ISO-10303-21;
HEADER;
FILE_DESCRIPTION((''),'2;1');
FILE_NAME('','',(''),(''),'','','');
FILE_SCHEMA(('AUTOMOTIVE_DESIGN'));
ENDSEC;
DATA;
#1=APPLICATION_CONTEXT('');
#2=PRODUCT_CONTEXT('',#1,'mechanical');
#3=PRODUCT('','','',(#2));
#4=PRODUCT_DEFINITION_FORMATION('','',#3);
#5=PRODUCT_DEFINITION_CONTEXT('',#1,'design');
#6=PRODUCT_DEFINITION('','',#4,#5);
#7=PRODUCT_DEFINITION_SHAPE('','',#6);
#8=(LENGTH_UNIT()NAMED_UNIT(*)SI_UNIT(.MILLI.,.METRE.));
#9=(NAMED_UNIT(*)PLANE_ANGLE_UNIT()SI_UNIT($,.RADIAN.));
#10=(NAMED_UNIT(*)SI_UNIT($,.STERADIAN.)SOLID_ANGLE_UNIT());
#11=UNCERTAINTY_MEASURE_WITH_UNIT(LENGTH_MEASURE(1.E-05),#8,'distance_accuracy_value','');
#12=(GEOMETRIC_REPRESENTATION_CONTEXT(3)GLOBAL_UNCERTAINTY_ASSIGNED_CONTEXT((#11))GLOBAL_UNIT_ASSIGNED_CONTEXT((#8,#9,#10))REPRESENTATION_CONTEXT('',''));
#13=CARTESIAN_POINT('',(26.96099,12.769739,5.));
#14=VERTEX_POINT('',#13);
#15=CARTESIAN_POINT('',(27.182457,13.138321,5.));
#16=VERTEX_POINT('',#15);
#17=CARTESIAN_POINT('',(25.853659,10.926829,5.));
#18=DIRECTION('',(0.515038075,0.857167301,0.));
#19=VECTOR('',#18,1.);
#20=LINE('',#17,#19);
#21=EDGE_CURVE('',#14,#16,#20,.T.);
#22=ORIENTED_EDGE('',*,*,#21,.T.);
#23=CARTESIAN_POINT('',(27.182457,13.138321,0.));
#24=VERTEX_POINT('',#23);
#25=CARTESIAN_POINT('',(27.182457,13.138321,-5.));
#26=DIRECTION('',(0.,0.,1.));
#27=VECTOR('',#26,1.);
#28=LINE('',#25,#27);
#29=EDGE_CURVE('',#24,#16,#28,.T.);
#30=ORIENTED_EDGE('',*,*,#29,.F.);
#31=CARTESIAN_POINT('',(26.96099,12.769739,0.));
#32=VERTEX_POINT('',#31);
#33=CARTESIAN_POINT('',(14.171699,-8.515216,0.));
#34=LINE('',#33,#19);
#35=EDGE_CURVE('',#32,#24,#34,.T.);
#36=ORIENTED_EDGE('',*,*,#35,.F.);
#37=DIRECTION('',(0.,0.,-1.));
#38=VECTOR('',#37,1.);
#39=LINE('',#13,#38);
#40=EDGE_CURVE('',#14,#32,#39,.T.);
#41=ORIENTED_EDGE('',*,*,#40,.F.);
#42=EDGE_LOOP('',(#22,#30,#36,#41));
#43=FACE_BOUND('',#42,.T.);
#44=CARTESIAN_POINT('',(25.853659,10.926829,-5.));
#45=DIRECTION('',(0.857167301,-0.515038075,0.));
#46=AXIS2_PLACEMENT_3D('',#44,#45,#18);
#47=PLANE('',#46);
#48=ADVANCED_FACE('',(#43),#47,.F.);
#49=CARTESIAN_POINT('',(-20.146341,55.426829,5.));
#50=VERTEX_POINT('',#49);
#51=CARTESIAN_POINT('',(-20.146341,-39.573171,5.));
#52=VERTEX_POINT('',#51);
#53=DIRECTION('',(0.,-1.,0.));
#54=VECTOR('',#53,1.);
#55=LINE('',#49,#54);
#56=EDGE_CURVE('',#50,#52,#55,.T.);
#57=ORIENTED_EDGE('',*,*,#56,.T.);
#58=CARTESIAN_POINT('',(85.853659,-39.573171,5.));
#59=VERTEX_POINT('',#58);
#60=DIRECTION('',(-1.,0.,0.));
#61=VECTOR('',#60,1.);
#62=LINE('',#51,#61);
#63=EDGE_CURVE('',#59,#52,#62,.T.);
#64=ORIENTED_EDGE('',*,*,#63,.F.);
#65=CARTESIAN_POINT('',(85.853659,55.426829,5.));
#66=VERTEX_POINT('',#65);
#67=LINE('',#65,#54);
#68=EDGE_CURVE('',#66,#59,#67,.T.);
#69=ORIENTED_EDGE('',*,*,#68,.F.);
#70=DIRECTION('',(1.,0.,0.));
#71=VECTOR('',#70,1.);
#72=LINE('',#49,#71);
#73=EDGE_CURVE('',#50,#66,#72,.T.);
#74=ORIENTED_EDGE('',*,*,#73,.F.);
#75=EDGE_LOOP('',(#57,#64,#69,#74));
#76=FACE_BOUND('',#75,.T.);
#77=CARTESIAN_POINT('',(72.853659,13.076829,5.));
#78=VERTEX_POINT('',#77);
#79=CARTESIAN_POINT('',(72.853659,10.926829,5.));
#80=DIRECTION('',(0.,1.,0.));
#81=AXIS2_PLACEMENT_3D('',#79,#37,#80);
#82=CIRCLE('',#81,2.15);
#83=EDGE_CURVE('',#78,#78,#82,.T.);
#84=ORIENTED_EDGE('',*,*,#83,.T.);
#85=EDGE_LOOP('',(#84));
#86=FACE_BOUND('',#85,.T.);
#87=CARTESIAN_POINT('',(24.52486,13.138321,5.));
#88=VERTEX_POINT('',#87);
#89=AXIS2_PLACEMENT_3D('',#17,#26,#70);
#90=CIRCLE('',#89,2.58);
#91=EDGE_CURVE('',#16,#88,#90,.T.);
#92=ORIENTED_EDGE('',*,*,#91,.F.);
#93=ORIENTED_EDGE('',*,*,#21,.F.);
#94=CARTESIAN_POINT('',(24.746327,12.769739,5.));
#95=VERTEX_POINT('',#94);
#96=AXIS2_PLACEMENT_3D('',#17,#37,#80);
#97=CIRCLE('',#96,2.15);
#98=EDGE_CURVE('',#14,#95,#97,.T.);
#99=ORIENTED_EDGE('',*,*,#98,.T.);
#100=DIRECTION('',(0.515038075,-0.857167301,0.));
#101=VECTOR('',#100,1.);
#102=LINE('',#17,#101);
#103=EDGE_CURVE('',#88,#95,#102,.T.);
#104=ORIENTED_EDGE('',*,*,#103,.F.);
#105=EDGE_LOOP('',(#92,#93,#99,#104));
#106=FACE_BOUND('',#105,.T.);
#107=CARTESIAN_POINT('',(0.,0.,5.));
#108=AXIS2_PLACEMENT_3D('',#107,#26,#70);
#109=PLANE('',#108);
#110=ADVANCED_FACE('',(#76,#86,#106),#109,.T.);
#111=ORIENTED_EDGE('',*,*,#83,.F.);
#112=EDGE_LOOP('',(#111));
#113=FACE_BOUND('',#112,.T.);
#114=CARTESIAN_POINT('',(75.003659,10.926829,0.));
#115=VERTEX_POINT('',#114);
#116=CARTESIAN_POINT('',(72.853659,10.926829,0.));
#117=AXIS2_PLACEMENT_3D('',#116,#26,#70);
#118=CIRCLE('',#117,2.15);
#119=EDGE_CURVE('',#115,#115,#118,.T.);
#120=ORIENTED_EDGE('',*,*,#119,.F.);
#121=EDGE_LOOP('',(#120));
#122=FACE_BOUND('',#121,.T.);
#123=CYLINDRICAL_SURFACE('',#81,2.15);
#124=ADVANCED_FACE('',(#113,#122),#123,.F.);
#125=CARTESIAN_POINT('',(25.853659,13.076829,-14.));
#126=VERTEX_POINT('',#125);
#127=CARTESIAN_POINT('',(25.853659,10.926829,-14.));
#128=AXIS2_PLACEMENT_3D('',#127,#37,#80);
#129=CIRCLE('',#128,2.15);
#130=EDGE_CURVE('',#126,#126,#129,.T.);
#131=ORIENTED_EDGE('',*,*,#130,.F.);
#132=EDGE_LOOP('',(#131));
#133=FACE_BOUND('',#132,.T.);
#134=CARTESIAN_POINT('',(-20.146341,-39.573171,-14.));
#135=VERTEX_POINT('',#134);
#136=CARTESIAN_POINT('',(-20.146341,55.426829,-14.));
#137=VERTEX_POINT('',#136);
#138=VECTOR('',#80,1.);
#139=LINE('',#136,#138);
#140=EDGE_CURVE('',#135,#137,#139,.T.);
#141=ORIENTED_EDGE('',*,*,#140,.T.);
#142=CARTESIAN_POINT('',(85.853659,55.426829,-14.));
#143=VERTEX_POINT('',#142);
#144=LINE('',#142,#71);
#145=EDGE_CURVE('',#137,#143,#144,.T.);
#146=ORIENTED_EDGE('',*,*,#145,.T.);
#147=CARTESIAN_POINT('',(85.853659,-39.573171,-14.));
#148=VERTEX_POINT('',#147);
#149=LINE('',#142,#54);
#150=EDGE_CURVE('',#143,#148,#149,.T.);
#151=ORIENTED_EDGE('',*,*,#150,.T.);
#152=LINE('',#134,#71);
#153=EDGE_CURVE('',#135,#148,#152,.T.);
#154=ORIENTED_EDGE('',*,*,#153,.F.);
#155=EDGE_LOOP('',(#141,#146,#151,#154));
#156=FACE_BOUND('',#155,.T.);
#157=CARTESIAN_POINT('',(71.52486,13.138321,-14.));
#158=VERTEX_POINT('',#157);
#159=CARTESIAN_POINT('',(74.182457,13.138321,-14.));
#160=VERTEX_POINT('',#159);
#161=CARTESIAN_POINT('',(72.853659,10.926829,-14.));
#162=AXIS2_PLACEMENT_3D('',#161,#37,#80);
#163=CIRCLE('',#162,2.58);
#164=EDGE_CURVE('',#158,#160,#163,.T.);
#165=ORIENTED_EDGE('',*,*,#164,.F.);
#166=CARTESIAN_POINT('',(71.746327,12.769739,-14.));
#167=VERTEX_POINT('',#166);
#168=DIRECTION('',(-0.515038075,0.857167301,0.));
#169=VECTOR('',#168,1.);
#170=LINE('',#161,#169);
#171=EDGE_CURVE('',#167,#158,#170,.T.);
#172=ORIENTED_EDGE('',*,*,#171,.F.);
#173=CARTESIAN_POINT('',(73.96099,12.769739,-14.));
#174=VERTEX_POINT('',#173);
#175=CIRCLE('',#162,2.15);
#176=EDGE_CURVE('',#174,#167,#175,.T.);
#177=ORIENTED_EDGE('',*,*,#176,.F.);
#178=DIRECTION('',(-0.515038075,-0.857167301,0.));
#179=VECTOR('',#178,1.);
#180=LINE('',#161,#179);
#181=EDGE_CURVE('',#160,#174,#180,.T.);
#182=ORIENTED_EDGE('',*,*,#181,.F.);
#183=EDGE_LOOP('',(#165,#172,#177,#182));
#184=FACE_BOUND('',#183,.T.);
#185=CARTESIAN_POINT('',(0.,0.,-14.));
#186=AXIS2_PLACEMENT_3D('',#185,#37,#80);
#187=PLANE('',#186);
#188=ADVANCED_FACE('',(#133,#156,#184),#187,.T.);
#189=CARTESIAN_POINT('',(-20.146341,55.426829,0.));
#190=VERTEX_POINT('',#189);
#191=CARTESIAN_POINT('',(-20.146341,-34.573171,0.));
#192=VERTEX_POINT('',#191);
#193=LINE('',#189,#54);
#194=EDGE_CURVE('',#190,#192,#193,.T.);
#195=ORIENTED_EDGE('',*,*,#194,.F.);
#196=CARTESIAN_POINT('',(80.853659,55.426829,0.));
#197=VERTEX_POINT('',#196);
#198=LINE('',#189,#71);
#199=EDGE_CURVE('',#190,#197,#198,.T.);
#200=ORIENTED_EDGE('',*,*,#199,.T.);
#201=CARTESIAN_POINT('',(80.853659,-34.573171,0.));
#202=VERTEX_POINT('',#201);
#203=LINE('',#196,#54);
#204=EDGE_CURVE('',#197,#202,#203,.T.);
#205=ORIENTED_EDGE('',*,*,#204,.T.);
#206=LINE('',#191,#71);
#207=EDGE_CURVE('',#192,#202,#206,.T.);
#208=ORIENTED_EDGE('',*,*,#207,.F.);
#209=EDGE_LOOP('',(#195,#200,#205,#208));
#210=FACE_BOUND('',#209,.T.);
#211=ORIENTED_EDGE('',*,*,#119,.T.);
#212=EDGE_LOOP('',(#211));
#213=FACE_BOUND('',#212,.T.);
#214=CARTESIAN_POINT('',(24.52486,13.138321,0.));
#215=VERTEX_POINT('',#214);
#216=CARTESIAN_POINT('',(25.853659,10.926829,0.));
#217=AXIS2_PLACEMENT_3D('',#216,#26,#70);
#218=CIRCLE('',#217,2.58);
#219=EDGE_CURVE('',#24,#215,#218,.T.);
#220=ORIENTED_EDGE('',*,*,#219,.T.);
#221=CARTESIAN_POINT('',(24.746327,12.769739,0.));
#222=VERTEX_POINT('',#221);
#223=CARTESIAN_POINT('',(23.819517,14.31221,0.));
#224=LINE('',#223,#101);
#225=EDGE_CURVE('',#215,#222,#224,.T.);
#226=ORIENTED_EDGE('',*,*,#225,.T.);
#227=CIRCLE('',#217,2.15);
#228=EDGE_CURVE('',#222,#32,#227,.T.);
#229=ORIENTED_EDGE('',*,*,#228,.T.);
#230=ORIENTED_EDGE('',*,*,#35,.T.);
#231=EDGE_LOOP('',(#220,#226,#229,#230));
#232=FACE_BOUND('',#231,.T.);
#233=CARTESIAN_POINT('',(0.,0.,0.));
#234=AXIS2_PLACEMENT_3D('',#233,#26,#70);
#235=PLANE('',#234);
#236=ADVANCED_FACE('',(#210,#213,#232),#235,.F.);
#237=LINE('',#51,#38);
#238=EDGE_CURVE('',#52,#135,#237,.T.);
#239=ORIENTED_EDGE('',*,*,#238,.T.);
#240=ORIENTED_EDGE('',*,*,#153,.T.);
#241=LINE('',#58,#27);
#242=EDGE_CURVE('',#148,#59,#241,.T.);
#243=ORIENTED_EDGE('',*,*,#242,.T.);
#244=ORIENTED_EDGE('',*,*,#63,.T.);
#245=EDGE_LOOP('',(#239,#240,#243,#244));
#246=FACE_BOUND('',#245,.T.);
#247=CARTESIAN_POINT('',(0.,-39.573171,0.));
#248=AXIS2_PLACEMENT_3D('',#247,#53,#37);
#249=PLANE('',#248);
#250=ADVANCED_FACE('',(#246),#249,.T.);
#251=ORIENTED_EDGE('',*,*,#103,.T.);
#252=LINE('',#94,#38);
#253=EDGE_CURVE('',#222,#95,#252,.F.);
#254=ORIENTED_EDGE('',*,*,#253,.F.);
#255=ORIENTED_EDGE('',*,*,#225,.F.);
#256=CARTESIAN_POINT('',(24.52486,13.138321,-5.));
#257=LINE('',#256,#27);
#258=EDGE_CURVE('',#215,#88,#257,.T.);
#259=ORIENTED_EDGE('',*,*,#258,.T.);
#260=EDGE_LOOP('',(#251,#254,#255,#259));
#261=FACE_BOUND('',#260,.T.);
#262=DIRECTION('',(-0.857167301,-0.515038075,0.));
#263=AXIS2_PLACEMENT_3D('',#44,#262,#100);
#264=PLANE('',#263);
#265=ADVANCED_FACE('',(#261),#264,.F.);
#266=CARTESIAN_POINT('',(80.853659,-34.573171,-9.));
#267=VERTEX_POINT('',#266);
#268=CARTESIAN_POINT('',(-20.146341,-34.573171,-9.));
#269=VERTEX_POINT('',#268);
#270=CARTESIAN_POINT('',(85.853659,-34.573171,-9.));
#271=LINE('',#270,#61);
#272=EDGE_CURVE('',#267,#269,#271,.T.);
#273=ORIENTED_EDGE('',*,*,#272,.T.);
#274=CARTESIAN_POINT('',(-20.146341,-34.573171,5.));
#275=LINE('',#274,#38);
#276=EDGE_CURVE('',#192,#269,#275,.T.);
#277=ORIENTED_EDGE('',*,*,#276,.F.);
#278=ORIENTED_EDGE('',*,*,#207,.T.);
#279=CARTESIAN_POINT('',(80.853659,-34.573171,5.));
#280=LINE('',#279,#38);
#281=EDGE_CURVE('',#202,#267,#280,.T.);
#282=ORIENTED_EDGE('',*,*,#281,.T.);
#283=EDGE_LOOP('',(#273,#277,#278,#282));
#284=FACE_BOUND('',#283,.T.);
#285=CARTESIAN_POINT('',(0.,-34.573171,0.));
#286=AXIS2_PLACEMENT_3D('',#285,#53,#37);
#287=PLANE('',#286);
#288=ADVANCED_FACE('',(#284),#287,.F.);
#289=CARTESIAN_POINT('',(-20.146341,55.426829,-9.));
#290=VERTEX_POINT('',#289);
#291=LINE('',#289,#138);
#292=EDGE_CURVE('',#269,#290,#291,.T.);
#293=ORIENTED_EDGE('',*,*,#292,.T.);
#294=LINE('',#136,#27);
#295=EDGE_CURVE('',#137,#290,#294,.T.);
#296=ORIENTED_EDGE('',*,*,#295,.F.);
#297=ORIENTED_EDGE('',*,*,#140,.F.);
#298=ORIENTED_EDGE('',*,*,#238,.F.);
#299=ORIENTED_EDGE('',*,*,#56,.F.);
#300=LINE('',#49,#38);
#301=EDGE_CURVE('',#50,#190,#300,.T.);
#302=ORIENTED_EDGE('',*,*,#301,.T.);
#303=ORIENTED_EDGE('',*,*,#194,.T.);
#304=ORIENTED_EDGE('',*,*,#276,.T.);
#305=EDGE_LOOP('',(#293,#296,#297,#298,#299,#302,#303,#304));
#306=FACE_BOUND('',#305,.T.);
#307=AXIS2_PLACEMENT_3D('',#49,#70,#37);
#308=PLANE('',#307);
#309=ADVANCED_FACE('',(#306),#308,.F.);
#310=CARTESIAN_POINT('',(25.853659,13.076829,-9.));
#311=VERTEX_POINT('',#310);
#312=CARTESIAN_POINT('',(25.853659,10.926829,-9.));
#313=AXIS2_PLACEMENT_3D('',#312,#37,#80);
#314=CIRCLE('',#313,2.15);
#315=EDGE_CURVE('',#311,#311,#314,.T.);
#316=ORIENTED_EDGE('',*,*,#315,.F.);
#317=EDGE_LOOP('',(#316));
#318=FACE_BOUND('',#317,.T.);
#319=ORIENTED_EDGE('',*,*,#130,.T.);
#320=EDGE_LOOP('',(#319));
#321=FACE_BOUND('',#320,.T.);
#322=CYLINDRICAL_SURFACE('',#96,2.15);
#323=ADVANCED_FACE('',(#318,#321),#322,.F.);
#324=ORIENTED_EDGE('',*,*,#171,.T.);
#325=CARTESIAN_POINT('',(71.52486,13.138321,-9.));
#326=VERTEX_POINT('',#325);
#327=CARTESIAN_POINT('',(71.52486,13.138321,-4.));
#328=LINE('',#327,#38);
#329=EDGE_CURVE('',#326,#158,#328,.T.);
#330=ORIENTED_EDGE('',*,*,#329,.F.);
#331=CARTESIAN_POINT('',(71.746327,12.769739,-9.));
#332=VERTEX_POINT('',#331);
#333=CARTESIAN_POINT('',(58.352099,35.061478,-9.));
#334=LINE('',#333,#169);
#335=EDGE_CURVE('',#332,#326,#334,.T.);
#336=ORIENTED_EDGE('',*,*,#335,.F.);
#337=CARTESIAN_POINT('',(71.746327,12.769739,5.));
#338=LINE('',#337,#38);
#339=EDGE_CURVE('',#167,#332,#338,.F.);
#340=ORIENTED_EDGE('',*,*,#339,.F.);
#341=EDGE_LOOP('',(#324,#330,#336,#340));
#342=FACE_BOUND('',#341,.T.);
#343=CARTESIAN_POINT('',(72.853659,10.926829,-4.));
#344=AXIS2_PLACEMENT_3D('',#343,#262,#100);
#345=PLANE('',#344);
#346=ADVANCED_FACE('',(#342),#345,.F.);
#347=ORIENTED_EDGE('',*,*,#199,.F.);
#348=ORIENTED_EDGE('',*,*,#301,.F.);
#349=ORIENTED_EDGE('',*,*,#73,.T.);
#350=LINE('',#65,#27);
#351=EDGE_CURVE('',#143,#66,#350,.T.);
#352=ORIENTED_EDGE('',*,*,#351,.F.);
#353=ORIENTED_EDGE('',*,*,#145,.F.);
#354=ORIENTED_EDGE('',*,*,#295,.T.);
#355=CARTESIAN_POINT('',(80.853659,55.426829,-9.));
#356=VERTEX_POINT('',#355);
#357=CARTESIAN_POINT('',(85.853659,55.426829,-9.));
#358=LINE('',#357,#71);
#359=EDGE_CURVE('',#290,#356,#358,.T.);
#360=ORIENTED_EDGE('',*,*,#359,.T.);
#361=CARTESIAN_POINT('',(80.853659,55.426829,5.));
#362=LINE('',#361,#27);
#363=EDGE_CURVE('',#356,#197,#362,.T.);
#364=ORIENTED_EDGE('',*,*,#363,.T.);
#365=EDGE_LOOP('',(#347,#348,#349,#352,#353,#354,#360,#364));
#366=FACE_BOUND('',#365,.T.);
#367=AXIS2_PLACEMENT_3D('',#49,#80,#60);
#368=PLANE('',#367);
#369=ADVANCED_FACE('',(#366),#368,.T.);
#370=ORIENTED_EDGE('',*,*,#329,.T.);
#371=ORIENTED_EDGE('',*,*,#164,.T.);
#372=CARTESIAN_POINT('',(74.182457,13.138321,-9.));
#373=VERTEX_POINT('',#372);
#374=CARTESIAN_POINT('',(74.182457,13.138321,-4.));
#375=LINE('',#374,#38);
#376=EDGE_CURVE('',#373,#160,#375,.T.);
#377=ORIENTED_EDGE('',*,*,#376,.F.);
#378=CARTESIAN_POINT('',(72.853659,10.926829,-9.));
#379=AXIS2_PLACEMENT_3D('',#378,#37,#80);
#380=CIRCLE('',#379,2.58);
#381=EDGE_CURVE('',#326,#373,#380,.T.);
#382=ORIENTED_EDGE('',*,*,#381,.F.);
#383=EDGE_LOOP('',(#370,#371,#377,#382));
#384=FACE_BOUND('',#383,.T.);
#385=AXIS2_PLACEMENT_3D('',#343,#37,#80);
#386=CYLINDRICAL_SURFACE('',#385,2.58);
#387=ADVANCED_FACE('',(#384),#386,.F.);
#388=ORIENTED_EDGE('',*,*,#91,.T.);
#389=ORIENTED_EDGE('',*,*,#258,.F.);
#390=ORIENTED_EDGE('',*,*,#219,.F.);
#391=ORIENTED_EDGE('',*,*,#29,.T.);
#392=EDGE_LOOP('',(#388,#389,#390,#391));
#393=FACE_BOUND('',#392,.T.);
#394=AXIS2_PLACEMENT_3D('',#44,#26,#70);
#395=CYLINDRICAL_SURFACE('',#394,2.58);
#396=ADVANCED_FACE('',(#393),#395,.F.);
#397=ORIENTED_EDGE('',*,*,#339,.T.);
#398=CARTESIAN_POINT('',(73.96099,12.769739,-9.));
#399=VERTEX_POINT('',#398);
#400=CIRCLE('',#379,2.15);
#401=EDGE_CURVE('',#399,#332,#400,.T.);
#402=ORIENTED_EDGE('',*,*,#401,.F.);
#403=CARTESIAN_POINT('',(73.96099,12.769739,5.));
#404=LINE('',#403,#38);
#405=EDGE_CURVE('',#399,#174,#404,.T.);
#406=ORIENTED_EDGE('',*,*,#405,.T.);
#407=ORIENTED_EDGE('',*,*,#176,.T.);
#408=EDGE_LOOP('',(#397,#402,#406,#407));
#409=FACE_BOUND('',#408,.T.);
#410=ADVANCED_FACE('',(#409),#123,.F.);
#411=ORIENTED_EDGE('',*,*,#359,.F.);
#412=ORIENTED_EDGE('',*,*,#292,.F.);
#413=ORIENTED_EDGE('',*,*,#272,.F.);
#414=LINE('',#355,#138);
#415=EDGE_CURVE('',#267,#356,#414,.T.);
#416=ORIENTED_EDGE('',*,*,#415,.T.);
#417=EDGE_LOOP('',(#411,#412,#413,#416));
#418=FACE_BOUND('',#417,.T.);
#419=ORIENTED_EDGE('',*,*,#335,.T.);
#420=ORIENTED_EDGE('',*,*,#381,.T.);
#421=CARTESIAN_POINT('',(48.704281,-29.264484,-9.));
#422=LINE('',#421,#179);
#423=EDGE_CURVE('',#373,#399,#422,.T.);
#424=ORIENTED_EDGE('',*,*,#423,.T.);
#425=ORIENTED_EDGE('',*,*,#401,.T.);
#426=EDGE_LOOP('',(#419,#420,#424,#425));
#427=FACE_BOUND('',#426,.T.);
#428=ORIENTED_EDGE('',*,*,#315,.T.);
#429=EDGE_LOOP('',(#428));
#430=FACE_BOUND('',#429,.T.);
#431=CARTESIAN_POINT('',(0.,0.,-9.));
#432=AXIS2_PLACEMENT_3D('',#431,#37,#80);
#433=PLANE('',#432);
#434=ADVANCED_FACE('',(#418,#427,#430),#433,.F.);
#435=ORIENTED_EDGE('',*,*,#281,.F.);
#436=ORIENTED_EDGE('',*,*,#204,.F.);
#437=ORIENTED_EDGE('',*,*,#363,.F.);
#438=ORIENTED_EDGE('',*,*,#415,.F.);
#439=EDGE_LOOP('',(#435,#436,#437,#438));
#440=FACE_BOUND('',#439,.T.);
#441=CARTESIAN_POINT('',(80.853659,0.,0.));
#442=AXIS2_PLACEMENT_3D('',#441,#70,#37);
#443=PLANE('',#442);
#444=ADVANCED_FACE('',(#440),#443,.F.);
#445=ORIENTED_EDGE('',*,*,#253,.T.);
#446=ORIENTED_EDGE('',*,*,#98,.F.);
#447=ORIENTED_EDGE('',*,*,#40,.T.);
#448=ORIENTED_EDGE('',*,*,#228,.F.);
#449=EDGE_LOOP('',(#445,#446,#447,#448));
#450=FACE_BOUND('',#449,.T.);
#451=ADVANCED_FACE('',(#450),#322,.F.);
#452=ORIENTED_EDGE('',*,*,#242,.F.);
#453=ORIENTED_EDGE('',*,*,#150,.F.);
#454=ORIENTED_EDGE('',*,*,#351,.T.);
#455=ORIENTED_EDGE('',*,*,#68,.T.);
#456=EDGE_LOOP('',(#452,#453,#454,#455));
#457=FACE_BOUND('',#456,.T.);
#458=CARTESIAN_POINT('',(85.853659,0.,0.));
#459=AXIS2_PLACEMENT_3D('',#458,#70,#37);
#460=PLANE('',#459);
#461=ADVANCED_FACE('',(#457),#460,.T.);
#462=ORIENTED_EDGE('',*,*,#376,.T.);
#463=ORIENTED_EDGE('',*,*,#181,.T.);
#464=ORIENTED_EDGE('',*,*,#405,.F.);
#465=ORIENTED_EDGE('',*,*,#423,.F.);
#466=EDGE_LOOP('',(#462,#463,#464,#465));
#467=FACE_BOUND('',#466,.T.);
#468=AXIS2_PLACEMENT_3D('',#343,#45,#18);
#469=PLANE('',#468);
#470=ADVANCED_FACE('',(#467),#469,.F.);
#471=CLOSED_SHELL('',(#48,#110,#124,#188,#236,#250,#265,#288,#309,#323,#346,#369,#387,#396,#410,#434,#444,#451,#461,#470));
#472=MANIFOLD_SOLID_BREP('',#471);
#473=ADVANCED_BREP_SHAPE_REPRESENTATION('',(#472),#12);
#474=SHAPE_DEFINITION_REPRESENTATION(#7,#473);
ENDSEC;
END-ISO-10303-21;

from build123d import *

# Parameters (mm, degrees)
SKETCH1_W           = 101
SKETCH1_H           = 90
BOSS_EXTRUDE1_DEPTH = 5
SKETCH2_W           = 14
SKETCH2_H           = 90
BOSS_EXTRUDE2_DEPTH = 5
SKETCH3_W           = 106
SKETCH3_H           = 90
BOSS_EXTRUDE3_DEPTH = 5
SKETCH4_W           = 106
SKETCH4_H           = 19
BOSS_EXTRUDE4_DEPTH = 5
SKETCH5_R           = 2.15
CUT_EXTRUDE1_DEPTH  = 20
CUT_EXTRUDE2_DEPTH  = 10
CUT_EXTRUDE3_DEPTH  = 10


with BuildPart() as part:
    # Sketch1 → Boss-Extrude1 (new body)
    with BuildSketch(Plane.XY):
        with Locations((30.353658537, 10.426829268)):
            Rectangle(SKETCH1_W, SKETCH1_H)
    extrude(amount=BOSS_EXTRUDE1_DEPTH)

    # Sketch2 → Boss-Extrude2 (add)
    with BuildSketch(Plane(origin=(80.853658537, 0, 0), x_dir=(0, 0, -1), z_dir=(1, 0, 0))):
        with Locations((2, 10.426829268)):
            Rectangle(SKETCH2_W, SKETCH2_H)
    extrude(amount=BOSS_EXTRUDE2_DEPTH)

    # Sketch3 → Boss-Extrude3 (add)
    with BuildSketch(Plane(origin=(0, 0, -9), x_dir=(-1, 0, 0), z_dir=(0, 0, -1))):
        with Locations((-32.853658537, 10.426829268)):
            Rectangle(SKETCH3_W, SKETCH3_H)
    extrude(amount=BOSS_EXTRUDE3_DEPTH)

    # Sketch4 → Boss-Extrude4 (add)
    with BuildSketch(Plane.XZ.offset(34.573170732)):
        with Locations((32.853658537, -4.5)):
            Rectangle(SKETCH4_W, SKETCH4_H)
    extrude(amount=BOSS_EXTRUDE4_DEPTH)

    # Sketch5 → Cut-Extrude1 (cut, through all)
    with BuildSketch(Plane(origin=(0, 0, -14), x_dir=(-1, 0, 0), z_dir=(0, 0, -1))):
        with Locations((-72.853658537, 10.926829268)):
            Circle(SKETCH5_R)
        with Locations((-25.853658537, 10.926829268)):
            Circle(SKETCH5_R)
    extrude(amount=-CUT_EXTRUDE1_DEPTH, mode=Mode.SUBTRACT)

    # Sketch6 → Cut-Extrude2 (cut)
    with BuildSketch(Plane(origin=(0, 0, -14), x_dir=(-1, 0, 0), z_dir=(0, 0, -1))):
        with BuildLine():
            Line((-72.853658537, 10.926829268), (-71.524860303, 13.138320904))
            ThreePointArc((-71.524860303, 13.138320904), (-72.853658537, 13.506829268), (-74.18245677, 13.138320904))
            Line((-74.18245677, 13.138320904), (-72.853658537, 10.926829268))
        make_face()
    extrude(amount=-CUT_EXTRUDE2_DEPTH, mode=Mode.SUBTRACT)

    # Sketch7 → Cut-Extrude3 (cut)
    with BuildSketch(Plane.XY.offset(5)):
        with BuildLine():
            Line((25.853658537, 10.926829268), (27.18245677, 13.138320904))
            ThreePointArc((27.18245677, 13.138320904), (25.853658537, 13.506829268), (24.524860303, 13.138320904))
            Line((24.524860303, 13.138320904), (25.853658537, 10.926829268))
        make_face()
    extrude(amount=-CUT_EXTRUDE3_DEPTH, mode=Mode.SUBTRACT)


solid = part.part
